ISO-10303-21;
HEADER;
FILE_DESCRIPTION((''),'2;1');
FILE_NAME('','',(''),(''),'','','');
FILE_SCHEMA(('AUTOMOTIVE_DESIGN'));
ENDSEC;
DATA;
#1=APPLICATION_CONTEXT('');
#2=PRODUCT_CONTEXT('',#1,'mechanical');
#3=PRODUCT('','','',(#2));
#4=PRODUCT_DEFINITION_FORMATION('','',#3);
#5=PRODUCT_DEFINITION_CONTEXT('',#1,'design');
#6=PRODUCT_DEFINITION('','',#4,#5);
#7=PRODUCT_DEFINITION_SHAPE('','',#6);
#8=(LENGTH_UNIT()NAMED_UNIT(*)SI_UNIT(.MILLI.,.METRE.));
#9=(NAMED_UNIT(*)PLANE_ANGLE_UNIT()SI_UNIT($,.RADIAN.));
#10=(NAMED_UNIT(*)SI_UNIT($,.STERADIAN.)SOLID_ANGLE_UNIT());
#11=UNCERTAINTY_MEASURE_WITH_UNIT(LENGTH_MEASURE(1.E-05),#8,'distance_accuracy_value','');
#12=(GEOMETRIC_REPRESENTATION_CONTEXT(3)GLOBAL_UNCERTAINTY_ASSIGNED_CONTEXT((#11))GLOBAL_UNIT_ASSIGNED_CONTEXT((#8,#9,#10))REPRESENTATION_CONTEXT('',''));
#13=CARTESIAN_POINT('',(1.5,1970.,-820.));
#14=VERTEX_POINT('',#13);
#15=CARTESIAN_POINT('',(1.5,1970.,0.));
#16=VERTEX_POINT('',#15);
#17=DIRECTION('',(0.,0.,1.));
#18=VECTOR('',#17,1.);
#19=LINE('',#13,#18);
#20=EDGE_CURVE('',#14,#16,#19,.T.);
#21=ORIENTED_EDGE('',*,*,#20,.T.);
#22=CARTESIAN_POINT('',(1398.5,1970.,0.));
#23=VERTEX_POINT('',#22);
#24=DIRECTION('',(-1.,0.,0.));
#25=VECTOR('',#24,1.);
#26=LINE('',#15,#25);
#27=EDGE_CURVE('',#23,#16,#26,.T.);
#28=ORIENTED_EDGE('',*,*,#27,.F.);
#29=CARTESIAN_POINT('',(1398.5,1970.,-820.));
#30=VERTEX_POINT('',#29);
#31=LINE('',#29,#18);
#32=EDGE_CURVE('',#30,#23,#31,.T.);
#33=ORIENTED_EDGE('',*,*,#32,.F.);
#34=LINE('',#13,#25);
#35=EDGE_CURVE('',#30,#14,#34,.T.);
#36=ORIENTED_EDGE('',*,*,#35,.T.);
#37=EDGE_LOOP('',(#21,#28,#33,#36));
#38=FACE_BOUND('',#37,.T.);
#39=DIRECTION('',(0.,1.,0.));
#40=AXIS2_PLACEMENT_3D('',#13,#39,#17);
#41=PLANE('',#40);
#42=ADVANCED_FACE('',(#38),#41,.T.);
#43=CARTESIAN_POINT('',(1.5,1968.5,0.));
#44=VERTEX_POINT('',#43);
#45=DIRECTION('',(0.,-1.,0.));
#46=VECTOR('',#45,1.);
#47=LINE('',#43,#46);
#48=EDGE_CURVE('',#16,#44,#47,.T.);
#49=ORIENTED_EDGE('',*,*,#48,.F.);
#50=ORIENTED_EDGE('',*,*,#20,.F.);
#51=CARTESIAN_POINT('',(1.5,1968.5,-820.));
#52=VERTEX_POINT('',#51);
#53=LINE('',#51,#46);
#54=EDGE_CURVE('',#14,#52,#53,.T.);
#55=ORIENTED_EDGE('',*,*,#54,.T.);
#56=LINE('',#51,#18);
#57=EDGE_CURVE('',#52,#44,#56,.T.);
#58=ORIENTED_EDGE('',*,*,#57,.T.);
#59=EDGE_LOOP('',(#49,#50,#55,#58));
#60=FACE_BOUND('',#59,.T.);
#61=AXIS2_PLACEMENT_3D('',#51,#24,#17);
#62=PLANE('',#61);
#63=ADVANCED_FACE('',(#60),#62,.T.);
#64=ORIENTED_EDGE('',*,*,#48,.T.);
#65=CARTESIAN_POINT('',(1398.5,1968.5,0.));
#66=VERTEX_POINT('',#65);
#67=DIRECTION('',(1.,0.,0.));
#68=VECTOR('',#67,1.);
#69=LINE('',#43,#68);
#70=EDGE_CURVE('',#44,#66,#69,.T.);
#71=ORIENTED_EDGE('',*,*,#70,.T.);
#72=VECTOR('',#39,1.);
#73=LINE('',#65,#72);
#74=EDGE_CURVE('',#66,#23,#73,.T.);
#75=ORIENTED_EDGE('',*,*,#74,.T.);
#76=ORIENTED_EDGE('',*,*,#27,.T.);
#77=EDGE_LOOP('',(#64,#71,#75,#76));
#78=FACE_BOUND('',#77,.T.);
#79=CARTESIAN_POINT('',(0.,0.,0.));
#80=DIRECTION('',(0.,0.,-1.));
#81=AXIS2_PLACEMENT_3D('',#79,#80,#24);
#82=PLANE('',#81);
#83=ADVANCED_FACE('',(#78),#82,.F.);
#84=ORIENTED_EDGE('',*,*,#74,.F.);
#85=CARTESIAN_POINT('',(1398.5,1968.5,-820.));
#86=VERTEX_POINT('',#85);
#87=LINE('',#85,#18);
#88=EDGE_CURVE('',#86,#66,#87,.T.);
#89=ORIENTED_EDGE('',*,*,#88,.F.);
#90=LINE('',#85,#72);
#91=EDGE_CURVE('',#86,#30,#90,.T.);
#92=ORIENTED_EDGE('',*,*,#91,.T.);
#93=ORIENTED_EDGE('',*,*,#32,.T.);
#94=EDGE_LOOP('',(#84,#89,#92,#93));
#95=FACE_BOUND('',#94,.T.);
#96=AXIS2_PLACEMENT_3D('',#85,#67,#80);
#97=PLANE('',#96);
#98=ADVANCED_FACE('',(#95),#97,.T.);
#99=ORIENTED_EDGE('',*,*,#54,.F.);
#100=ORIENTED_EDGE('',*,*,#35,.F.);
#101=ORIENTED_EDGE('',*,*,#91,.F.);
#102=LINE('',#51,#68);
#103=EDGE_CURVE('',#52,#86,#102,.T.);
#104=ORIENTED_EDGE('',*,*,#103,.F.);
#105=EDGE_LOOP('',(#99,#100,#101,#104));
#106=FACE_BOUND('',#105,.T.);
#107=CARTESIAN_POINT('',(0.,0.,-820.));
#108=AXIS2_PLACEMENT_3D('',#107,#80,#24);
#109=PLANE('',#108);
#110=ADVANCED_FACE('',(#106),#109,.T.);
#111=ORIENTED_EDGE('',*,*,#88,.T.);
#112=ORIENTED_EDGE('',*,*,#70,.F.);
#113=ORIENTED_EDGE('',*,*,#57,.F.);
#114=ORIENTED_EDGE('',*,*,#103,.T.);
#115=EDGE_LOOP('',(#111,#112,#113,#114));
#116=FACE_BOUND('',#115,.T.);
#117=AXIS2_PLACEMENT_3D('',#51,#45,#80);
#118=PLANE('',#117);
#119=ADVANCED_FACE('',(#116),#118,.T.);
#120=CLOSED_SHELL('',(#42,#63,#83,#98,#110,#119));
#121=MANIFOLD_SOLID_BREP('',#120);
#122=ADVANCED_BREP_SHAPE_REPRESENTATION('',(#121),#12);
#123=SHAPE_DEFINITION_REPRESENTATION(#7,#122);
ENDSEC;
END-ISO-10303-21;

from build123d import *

# Parameters (mm, degrees)
SKETCH1_W             = 1397
SKETCH1_H             = 1.5
STORE_DIS_UST_1_DEPTH = 820


with BuildPart() as part:
    # Sketch1 → STORE_dis_ust_1 (new body)
    with BuildSketch(Plane.XY):
        with Locations((700, 1969.25)):
            Rectangle(SKETCH1_W, SKETCH1_H)
    extrude(amount=-STORE_DIS_UST_1_DEPTH)


solid = part.part
